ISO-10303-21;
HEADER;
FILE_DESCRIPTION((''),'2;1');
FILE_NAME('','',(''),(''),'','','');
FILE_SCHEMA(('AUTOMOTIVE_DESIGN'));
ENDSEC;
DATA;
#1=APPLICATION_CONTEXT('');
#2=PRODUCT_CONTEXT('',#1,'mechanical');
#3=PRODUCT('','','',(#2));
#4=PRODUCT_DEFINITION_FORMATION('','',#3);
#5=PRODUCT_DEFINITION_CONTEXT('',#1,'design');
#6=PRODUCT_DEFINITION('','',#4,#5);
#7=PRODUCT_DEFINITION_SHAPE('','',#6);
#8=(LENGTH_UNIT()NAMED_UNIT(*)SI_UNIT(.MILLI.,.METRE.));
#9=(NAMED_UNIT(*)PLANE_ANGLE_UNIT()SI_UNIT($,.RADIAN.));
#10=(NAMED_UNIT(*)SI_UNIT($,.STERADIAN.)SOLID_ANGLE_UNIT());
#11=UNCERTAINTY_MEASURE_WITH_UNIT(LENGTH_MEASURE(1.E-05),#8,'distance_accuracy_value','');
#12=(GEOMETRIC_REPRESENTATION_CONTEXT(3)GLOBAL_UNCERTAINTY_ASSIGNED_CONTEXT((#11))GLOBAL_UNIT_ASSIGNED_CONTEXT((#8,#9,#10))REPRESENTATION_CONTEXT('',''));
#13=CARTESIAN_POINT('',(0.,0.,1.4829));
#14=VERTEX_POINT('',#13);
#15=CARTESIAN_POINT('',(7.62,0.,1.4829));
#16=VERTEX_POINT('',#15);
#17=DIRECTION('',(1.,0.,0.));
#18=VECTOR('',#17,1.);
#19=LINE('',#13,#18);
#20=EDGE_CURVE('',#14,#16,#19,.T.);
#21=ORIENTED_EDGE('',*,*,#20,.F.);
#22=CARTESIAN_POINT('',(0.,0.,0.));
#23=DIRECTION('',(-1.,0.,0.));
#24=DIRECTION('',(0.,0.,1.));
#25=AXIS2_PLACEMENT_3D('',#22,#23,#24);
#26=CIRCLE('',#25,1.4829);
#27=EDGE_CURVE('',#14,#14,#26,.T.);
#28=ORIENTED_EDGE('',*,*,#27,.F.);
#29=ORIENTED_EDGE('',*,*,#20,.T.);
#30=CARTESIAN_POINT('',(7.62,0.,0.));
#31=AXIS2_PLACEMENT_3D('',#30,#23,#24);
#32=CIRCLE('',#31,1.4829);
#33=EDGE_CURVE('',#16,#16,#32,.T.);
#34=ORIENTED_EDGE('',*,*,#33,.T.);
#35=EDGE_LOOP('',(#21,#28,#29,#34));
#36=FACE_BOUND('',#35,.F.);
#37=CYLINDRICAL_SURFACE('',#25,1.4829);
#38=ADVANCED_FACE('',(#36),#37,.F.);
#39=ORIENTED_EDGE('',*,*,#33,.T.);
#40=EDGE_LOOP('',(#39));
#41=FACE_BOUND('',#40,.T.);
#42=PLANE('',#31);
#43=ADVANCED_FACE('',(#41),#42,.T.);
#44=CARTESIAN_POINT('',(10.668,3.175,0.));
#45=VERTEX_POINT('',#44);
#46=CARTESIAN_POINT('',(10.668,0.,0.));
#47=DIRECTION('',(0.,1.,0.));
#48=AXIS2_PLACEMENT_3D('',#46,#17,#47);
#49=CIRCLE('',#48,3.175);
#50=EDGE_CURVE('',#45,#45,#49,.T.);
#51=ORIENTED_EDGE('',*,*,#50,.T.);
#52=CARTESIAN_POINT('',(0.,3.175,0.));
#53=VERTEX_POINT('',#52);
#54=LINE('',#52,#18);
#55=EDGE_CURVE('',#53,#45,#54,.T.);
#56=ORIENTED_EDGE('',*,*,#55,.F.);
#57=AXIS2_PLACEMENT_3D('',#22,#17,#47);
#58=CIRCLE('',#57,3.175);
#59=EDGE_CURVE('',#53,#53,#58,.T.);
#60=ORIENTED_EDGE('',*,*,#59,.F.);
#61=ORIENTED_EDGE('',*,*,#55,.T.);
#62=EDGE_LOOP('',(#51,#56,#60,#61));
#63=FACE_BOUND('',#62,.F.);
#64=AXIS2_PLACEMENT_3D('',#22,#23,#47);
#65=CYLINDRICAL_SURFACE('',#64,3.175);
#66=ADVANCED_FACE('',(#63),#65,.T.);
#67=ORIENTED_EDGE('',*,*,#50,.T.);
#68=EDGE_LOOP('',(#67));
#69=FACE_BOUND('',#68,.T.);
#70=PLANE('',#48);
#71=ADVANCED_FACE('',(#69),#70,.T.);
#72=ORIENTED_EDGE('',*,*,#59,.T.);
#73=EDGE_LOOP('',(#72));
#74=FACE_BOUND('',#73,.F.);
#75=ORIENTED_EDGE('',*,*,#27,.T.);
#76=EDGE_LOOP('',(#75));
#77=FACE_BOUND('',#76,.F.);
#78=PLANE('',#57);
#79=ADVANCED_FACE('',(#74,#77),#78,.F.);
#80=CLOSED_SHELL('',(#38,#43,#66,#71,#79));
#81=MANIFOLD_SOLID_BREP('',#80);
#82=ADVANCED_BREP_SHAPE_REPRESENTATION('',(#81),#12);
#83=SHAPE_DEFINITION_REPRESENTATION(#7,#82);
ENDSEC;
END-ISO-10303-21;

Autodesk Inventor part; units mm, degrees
ref_plane "YZ Plane" through (0, 0, 0) normal (1, 0, 0) x (0, 1, 0)
ref_plane "XZ Plane" through (0, 0, 0) normal (0, 1, 0) x (-1, 0, 0)
ref_plane "XY Plane" through (0, 0, 0) normal (0, 0, 1) x (1, 0, 0)
sketch "Sketch1" plane through (0, 0, 0) normal (1, 0, 0) x (0, 1, 0)
  circle A0 centre (0, 0) radius 3.175
  dimension "d0" = 6.35
extrude "Extrusion1" add sketch "Sketch1" along normal blind 10.668
sketch "Sketch2" plane through (0, 0, 0) normal (-1, 0, 0) x (0, 0, 1)
  circle A0 centre (0, 0) radius 1.4829
extrude "Extrusion2" cut sketch "Sketch2" against normal blind 7.62
properties part number "plug"
